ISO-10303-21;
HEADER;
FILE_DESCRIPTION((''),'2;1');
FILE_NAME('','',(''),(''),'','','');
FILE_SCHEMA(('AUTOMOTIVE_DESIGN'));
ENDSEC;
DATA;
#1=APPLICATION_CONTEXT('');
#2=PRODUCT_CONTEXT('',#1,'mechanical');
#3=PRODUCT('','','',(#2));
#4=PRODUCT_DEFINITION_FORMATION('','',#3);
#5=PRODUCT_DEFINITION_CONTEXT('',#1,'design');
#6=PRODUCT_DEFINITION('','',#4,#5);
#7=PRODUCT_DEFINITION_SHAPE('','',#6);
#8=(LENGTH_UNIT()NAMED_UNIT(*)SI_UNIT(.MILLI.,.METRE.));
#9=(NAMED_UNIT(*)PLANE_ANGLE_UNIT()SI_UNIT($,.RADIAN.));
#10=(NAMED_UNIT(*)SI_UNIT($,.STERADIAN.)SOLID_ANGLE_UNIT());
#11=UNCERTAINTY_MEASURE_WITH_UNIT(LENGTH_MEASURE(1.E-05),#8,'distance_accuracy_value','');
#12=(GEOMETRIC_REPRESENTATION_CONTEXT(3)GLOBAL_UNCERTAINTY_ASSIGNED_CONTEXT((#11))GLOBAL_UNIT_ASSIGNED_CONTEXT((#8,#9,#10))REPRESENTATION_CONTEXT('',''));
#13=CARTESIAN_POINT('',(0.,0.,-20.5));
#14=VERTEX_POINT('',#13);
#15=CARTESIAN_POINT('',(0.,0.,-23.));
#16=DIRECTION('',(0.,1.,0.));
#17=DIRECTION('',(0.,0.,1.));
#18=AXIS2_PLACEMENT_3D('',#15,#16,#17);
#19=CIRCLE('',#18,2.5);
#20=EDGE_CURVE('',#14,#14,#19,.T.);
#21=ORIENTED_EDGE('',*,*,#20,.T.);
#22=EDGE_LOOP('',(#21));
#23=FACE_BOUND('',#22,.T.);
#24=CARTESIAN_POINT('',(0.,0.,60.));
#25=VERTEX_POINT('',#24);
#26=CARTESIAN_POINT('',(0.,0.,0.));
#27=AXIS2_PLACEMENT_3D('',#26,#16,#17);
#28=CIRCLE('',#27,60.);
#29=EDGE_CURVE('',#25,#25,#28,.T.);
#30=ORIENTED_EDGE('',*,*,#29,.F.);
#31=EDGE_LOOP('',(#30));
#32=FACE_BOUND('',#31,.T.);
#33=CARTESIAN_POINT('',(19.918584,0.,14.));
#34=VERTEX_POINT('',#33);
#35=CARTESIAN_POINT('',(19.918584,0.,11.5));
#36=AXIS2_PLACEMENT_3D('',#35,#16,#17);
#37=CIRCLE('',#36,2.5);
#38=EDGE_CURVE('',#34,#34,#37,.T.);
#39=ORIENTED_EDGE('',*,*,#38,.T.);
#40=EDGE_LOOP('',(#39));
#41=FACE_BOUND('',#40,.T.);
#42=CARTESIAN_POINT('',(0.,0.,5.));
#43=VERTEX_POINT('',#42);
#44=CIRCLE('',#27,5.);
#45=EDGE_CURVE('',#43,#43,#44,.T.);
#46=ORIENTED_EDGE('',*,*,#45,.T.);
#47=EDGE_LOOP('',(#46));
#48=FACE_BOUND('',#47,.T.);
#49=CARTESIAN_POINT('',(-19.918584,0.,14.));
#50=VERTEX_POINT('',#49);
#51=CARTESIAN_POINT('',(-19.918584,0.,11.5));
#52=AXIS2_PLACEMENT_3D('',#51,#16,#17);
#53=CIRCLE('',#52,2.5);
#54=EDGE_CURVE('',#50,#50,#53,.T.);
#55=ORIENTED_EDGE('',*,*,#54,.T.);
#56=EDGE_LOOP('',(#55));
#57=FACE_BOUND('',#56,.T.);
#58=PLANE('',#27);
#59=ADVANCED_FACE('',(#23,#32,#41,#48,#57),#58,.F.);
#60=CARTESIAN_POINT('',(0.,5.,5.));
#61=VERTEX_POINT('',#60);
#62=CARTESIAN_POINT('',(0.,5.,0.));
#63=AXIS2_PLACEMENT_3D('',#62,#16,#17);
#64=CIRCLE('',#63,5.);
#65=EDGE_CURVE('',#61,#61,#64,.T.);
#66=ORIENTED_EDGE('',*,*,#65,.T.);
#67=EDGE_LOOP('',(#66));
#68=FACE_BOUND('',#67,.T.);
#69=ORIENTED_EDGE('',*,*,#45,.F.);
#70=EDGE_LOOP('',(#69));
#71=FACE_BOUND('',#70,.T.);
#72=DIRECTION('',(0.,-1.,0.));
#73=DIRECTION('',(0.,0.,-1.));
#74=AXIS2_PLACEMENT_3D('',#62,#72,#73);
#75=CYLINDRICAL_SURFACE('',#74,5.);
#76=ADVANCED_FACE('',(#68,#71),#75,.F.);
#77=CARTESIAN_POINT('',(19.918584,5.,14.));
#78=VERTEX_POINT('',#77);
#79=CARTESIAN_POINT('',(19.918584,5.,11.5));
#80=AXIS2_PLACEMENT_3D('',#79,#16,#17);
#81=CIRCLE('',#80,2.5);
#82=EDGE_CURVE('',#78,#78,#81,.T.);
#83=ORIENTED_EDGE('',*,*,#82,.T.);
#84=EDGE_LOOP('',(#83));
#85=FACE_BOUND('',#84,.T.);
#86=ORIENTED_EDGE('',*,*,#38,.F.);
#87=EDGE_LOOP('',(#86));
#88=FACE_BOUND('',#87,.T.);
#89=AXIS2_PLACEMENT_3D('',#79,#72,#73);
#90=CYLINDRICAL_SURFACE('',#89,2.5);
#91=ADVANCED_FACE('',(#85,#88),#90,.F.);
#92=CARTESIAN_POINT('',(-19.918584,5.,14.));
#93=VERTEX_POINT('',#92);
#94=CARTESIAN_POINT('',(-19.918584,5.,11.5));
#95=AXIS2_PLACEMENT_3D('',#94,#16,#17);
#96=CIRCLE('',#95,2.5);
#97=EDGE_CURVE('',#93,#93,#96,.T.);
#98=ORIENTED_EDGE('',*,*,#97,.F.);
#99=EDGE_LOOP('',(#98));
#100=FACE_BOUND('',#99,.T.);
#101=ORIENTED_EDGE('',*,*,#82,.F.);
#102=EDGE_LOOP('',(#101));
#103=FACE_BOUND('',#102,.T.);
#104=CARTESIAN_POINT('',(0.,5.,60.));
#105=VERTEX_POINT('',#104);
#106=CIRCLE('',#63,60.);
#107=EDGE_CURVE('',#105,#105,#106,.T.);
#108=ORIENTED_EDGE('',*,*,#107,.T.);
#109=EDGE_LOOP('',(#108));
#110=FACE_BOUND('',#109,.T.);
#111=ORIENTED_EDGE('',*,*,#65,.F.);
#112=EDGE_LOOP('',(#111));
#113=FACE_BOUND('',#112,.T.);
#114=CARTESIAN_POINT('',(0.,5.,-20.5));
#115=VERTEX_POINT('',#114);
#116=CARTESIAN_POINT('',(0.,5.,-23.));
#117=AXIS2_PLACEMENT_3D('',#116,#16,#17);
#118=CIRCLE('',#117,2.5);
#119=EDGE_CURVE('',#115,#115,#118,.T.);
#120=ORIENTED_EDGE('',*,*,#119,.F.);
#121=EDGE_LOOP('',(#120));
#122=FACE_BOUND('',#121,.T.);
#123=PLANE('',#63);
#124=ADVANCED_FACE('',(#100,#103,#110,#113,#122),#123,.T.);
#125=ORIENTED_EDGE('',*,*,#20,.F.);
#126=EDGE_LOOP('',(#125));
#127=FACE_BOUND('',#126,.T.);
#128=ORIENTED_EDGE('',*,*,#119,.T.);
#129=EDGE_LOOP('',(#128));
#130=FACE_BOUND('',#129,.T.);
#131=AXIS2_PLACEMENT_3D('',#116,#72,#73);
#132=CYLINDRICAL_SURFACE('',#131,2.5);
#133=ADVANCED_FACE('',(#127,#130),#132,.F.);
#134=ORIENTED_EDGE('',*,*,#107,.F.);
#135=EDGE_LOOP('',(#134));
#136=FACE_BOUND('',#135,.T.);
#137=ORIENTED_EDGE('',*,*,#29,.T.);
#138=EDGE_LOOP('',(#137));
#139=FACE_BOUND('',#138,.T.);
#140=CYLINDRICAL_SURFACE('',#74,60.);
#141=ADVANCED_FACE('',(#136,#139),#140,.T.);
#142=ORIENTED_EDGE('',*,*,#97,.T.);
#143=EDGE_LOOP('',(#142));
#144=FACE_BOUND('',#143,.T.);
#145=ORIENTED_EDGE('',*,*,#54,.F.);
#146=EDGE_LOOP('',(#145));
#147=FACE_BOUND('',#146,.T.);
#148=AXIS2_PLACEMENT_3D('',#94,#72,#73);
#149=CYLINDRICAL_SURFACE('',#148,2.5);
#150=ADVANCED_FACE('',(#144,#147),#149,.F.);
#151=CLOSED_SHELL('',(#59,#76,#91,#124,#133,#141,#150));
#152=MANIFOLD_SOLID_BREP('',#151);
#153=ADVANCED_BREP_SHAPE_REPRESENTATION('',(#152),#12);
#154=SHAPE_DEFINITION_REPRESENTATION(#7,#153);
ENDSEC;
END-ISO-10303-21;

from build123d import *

# Parameters (mm, degrees)
SKETCH1_R           = 60
SKETCH1_R_2         = 5
SKETCH1_R_3         = 2.5
BOSS_EXTRUDE1_DEPTH = 5


with BuildPart() as part:
    # Sketch1 → Boss-Extrude1 (new body)
    with BuildSketch(Plane(origin=(0, 0, 0), x_dir=(1, 0, 0), z_dir=(0, 1, 0))):
        Circle(SKETCH1_R)
        Circle(SKETCH1_R_2, mode=Mode.SUBTRACT)
        with Locations((0, 23)):
            Circle(SKETCH1_R_3, mode=Mode.SUBTRACT)
        with Locations((19.918584287, -11.5)):
            Circle(SKETCH1_R_3, mode=Mode.SUBTRACT)
        with Locations((-19.918584287, -11.5)):
            Circle(SKETCH1_R_3, mode=Mode.SUBTRACT)
    extrude(amount=BOSS_EXTRUDE1_DEPTH)


solid = part.part
